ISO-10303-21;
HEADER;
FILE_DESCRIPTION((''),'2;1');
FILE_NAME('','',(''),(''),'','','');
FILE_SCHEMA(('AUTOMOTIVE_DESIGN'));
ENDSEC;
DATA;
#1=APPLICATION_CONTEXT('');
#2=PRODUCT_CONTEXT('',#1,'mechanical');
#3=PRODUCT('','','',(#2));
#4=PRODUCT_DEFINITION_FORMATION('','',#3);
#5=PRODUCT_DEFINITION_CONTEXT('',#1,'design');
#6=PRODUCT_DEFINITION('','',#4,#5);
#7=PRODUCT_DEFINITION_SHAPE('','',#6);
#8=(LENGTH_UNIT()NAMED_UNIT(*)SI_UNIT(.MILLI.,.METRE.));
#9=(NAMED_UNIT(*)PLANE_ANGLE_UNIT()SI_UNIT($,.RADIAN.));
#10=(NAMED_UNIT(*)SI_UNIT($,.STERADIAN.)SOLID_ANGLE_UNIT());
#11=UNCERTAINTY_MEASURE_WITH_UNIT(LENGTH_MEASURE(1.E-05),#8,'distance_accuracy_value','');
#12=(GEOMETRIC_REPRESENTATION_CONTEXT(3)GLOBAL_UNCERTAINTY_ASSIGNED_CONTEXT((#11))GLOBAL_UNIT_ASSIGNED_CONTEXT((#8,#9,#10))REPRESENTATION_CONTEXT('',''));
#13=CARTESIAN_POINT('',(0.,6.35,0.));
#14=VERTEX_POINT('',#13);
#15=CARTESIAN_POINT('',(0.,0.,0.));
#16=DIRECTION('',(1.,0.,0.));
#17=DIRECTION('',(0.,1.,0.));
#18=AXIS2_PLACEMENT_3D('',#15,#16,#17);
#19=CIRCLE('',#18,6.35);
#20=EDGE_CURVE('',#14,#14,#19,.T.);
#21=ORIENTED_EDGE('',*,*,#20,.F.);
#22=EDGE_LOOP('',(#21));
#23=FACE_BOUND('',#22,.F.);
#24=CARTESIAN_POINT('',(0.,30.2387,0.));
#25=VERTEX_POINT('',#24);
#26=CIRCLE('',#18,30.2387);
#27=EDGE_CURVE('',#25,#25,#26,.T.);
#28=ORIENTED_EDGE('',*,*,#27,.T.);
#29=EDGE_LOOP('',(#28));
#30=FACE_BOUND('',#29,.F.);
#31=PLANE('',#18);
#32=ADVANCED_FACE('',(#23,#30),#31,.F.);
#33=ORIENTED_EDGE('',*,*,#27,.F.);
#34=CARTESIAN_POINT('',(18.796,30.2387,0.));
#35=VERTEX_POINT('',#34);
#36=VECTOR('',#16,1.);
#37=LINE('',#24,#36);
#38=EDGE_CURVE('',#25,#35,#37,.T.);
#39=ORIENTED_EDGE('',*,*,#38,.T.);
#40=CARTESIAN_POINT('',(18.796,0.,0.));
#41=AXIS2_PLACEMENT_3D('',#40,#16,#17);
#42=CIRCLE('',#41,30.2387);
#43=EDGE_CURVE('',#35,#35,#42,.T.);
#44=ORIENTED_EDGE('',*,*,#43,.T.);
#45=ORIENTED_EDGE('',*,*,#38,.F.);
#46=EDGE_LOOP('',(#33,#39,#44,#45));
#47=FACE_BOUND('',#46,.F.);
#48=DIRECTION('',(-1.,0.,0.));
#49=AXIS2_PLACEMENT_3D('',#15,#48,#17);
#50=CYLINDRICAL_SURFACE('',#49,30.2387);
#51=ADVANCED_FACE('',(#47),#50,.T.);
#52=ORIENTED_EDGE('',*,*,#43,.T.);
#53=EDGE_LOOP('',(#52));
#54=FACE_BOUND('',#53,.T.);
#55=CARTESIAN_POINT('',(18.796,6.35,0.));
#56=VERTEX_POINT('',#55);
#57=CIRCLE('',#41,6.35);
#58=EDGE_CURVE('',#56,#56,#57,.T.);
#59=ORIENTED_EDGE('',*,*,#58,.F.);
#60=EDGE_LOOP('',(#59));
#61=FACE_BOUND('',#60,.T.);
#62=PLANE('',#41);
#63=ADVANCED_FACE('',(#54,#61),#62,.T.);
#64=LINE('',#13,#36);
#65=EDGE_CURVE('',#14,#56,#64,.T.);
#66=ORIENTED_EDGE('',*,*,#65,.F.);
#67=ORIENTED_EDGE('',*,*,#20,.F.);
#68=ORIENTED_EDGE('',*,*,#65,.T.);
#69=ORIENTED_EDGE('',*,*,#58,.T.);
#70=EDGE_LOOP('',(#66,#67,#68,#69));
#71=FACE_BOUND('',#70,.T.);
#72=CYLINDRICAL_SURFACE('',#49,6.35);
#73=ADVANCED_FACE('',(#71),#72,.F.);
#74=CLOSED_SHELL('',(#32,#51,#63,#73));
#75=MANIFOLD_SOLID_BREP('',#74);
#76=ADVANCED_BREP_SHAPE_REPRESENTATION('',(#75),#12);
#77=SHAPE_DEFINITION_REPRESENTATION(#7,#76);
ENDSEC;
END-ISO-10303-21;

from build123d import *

# Parameters (mm, degrees)
F0_R     = 30.2387
F0_R_2   = 6.35
F1_DEPTH = 18.796


with BuildPart() as f1:
    # F0 (on Right) → F1 (new body)
    with BuildSketch(Plane.YZ):
        Circle(F0_R)
        Circle(F0_R_2, mode=Mode.SUBTRACT)
    extrude(amount=F1_DEPTH)


solid = f1.part
